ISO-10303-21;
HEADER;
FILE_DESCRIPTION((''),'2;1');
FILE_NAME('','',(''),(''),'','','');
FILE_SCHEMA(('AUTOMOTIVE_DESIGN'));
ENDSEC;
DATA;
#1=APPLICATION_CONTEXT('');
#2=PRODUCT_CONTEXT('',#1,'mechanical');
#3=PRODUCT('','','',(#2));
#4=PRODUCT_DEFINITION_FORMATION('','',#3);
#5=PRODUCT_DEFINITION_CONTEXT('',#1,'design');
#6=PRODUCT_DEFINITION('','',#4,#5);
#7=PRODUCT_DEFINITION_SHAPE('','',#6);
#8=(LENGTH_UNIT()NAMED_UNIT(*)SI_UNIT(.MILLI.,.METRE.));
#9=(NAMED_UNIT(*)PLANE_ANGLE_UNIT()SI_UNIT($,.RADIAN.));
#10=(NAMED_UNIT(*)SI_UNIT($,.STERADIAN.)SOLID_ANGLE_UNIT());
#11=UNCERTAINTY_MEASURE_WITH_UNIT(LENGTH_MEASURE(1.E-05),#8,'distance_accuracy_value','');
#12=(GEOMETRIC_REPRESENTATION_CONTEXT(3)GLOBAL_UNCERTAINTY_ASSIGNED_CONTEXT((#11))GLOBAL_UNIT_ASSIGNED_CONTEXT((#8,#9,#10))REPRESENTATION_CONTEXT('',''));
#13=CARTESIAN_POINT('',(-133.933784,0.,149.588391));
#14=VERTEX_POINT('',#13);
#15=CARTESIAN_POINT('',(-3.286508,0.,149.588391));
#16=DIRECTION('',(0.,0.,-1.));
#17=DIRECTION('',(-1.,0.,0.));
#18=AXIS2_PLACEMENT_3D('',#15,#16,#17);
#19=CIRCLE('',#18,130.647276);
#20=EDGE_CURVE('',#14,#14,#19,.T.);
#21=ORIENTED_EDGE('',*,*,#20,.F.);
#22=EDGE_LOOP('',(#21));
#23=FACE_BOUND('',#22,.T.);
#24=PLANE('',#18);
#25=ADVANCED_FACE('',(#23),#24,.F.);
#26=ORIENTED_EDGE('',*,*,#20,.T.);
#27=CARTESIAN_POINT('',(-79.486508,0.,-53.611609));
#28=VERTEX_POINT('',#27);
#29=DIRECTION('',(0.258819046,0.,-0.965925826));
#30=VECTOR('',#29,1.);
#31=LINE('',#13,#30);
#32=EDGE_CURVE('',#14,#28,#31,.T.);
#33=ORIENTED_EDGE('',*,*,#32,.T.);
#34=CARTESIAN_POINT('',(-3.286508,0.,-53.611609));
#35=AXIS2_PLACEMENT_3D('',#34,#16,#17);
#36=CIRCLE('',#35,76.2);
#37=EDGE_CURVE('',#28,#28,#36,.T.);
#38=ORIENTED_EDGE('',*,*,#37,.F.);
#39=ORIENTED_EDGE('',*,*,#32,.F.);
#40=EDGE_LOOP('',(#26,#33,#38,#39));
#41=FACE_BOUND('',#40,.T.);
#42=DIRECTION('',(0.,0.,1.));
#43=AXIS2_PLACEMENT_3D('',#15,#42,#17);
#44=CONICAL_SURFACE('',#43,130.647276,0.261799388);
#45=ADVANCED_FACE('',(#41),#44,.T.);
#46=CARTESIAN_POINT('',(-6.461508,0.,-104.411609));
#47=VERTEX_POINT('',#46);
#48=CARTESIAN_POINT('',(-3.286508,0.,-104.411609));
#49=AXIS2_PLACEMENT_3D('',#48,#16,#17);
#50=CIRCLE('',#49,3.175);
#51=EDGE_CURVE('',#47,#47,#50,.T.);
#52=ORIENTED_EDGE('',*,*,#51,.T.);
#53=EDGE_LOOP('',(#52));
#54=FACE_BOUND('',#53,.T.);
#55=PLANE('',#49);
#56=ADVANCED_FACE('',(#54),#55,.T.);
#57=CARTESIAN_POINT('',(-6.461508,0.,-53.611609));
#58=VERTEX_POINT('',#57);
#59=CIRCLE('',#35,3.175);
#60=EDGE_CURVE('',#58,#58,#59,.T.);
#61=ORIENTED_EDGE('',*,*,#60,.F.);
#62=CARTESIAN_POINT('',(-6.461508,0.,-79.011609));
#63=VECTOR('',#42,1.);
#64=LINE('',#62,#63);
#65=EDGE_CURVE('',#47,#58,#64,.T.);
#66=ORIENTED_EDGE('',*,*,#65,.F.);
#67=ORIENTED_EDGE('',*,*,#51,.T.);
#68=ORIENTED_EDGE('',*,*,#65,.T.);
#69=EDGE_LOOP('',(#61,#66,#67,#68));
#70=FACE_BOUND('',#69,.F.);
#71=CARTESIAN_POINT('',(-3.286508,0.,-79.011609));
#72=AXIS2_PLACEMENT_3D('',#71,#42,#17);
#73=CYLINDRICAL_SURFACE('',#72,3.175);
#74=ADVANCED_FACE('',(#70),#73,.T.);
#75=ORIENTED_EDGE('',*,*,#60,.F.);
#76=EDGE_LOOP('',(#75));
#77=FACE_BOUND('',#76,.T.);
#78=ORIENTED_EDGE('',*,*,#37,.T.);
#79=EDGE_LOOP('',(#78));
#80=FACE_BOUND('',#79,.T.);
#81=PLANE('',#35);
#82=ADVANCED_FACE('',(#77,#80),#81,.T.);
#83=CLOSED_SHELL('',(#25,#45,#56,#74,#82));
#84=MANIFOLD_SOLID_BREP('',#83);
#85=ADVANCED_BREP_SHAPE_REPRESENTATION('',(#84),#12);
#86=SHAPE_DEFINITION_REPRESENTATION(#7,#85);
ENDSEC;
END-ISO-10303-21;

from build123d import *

# Parameters (mm, degrees)
F0_W = 3.175
F0_H = 50.8


with BuildPart() as f1:
    # F0 (on Front) → F1 (revolve)
    with BuildSketch(Plane.XZ):
        Polygon((-3.286508, -53.611609), (-3.286508, 149.588391), (-133.933784, 149.588391), (-79.486508, -53.611609), (-6.461508, -53.611609), align=None)
        with Locations((-4.874008, -79.011609)):
            Rectangle(F0_W, F0_H)
    revolve(axis=Axis((-3.286508, 0, 47.988391), (0, 0, -1)))


solid = f1.part
